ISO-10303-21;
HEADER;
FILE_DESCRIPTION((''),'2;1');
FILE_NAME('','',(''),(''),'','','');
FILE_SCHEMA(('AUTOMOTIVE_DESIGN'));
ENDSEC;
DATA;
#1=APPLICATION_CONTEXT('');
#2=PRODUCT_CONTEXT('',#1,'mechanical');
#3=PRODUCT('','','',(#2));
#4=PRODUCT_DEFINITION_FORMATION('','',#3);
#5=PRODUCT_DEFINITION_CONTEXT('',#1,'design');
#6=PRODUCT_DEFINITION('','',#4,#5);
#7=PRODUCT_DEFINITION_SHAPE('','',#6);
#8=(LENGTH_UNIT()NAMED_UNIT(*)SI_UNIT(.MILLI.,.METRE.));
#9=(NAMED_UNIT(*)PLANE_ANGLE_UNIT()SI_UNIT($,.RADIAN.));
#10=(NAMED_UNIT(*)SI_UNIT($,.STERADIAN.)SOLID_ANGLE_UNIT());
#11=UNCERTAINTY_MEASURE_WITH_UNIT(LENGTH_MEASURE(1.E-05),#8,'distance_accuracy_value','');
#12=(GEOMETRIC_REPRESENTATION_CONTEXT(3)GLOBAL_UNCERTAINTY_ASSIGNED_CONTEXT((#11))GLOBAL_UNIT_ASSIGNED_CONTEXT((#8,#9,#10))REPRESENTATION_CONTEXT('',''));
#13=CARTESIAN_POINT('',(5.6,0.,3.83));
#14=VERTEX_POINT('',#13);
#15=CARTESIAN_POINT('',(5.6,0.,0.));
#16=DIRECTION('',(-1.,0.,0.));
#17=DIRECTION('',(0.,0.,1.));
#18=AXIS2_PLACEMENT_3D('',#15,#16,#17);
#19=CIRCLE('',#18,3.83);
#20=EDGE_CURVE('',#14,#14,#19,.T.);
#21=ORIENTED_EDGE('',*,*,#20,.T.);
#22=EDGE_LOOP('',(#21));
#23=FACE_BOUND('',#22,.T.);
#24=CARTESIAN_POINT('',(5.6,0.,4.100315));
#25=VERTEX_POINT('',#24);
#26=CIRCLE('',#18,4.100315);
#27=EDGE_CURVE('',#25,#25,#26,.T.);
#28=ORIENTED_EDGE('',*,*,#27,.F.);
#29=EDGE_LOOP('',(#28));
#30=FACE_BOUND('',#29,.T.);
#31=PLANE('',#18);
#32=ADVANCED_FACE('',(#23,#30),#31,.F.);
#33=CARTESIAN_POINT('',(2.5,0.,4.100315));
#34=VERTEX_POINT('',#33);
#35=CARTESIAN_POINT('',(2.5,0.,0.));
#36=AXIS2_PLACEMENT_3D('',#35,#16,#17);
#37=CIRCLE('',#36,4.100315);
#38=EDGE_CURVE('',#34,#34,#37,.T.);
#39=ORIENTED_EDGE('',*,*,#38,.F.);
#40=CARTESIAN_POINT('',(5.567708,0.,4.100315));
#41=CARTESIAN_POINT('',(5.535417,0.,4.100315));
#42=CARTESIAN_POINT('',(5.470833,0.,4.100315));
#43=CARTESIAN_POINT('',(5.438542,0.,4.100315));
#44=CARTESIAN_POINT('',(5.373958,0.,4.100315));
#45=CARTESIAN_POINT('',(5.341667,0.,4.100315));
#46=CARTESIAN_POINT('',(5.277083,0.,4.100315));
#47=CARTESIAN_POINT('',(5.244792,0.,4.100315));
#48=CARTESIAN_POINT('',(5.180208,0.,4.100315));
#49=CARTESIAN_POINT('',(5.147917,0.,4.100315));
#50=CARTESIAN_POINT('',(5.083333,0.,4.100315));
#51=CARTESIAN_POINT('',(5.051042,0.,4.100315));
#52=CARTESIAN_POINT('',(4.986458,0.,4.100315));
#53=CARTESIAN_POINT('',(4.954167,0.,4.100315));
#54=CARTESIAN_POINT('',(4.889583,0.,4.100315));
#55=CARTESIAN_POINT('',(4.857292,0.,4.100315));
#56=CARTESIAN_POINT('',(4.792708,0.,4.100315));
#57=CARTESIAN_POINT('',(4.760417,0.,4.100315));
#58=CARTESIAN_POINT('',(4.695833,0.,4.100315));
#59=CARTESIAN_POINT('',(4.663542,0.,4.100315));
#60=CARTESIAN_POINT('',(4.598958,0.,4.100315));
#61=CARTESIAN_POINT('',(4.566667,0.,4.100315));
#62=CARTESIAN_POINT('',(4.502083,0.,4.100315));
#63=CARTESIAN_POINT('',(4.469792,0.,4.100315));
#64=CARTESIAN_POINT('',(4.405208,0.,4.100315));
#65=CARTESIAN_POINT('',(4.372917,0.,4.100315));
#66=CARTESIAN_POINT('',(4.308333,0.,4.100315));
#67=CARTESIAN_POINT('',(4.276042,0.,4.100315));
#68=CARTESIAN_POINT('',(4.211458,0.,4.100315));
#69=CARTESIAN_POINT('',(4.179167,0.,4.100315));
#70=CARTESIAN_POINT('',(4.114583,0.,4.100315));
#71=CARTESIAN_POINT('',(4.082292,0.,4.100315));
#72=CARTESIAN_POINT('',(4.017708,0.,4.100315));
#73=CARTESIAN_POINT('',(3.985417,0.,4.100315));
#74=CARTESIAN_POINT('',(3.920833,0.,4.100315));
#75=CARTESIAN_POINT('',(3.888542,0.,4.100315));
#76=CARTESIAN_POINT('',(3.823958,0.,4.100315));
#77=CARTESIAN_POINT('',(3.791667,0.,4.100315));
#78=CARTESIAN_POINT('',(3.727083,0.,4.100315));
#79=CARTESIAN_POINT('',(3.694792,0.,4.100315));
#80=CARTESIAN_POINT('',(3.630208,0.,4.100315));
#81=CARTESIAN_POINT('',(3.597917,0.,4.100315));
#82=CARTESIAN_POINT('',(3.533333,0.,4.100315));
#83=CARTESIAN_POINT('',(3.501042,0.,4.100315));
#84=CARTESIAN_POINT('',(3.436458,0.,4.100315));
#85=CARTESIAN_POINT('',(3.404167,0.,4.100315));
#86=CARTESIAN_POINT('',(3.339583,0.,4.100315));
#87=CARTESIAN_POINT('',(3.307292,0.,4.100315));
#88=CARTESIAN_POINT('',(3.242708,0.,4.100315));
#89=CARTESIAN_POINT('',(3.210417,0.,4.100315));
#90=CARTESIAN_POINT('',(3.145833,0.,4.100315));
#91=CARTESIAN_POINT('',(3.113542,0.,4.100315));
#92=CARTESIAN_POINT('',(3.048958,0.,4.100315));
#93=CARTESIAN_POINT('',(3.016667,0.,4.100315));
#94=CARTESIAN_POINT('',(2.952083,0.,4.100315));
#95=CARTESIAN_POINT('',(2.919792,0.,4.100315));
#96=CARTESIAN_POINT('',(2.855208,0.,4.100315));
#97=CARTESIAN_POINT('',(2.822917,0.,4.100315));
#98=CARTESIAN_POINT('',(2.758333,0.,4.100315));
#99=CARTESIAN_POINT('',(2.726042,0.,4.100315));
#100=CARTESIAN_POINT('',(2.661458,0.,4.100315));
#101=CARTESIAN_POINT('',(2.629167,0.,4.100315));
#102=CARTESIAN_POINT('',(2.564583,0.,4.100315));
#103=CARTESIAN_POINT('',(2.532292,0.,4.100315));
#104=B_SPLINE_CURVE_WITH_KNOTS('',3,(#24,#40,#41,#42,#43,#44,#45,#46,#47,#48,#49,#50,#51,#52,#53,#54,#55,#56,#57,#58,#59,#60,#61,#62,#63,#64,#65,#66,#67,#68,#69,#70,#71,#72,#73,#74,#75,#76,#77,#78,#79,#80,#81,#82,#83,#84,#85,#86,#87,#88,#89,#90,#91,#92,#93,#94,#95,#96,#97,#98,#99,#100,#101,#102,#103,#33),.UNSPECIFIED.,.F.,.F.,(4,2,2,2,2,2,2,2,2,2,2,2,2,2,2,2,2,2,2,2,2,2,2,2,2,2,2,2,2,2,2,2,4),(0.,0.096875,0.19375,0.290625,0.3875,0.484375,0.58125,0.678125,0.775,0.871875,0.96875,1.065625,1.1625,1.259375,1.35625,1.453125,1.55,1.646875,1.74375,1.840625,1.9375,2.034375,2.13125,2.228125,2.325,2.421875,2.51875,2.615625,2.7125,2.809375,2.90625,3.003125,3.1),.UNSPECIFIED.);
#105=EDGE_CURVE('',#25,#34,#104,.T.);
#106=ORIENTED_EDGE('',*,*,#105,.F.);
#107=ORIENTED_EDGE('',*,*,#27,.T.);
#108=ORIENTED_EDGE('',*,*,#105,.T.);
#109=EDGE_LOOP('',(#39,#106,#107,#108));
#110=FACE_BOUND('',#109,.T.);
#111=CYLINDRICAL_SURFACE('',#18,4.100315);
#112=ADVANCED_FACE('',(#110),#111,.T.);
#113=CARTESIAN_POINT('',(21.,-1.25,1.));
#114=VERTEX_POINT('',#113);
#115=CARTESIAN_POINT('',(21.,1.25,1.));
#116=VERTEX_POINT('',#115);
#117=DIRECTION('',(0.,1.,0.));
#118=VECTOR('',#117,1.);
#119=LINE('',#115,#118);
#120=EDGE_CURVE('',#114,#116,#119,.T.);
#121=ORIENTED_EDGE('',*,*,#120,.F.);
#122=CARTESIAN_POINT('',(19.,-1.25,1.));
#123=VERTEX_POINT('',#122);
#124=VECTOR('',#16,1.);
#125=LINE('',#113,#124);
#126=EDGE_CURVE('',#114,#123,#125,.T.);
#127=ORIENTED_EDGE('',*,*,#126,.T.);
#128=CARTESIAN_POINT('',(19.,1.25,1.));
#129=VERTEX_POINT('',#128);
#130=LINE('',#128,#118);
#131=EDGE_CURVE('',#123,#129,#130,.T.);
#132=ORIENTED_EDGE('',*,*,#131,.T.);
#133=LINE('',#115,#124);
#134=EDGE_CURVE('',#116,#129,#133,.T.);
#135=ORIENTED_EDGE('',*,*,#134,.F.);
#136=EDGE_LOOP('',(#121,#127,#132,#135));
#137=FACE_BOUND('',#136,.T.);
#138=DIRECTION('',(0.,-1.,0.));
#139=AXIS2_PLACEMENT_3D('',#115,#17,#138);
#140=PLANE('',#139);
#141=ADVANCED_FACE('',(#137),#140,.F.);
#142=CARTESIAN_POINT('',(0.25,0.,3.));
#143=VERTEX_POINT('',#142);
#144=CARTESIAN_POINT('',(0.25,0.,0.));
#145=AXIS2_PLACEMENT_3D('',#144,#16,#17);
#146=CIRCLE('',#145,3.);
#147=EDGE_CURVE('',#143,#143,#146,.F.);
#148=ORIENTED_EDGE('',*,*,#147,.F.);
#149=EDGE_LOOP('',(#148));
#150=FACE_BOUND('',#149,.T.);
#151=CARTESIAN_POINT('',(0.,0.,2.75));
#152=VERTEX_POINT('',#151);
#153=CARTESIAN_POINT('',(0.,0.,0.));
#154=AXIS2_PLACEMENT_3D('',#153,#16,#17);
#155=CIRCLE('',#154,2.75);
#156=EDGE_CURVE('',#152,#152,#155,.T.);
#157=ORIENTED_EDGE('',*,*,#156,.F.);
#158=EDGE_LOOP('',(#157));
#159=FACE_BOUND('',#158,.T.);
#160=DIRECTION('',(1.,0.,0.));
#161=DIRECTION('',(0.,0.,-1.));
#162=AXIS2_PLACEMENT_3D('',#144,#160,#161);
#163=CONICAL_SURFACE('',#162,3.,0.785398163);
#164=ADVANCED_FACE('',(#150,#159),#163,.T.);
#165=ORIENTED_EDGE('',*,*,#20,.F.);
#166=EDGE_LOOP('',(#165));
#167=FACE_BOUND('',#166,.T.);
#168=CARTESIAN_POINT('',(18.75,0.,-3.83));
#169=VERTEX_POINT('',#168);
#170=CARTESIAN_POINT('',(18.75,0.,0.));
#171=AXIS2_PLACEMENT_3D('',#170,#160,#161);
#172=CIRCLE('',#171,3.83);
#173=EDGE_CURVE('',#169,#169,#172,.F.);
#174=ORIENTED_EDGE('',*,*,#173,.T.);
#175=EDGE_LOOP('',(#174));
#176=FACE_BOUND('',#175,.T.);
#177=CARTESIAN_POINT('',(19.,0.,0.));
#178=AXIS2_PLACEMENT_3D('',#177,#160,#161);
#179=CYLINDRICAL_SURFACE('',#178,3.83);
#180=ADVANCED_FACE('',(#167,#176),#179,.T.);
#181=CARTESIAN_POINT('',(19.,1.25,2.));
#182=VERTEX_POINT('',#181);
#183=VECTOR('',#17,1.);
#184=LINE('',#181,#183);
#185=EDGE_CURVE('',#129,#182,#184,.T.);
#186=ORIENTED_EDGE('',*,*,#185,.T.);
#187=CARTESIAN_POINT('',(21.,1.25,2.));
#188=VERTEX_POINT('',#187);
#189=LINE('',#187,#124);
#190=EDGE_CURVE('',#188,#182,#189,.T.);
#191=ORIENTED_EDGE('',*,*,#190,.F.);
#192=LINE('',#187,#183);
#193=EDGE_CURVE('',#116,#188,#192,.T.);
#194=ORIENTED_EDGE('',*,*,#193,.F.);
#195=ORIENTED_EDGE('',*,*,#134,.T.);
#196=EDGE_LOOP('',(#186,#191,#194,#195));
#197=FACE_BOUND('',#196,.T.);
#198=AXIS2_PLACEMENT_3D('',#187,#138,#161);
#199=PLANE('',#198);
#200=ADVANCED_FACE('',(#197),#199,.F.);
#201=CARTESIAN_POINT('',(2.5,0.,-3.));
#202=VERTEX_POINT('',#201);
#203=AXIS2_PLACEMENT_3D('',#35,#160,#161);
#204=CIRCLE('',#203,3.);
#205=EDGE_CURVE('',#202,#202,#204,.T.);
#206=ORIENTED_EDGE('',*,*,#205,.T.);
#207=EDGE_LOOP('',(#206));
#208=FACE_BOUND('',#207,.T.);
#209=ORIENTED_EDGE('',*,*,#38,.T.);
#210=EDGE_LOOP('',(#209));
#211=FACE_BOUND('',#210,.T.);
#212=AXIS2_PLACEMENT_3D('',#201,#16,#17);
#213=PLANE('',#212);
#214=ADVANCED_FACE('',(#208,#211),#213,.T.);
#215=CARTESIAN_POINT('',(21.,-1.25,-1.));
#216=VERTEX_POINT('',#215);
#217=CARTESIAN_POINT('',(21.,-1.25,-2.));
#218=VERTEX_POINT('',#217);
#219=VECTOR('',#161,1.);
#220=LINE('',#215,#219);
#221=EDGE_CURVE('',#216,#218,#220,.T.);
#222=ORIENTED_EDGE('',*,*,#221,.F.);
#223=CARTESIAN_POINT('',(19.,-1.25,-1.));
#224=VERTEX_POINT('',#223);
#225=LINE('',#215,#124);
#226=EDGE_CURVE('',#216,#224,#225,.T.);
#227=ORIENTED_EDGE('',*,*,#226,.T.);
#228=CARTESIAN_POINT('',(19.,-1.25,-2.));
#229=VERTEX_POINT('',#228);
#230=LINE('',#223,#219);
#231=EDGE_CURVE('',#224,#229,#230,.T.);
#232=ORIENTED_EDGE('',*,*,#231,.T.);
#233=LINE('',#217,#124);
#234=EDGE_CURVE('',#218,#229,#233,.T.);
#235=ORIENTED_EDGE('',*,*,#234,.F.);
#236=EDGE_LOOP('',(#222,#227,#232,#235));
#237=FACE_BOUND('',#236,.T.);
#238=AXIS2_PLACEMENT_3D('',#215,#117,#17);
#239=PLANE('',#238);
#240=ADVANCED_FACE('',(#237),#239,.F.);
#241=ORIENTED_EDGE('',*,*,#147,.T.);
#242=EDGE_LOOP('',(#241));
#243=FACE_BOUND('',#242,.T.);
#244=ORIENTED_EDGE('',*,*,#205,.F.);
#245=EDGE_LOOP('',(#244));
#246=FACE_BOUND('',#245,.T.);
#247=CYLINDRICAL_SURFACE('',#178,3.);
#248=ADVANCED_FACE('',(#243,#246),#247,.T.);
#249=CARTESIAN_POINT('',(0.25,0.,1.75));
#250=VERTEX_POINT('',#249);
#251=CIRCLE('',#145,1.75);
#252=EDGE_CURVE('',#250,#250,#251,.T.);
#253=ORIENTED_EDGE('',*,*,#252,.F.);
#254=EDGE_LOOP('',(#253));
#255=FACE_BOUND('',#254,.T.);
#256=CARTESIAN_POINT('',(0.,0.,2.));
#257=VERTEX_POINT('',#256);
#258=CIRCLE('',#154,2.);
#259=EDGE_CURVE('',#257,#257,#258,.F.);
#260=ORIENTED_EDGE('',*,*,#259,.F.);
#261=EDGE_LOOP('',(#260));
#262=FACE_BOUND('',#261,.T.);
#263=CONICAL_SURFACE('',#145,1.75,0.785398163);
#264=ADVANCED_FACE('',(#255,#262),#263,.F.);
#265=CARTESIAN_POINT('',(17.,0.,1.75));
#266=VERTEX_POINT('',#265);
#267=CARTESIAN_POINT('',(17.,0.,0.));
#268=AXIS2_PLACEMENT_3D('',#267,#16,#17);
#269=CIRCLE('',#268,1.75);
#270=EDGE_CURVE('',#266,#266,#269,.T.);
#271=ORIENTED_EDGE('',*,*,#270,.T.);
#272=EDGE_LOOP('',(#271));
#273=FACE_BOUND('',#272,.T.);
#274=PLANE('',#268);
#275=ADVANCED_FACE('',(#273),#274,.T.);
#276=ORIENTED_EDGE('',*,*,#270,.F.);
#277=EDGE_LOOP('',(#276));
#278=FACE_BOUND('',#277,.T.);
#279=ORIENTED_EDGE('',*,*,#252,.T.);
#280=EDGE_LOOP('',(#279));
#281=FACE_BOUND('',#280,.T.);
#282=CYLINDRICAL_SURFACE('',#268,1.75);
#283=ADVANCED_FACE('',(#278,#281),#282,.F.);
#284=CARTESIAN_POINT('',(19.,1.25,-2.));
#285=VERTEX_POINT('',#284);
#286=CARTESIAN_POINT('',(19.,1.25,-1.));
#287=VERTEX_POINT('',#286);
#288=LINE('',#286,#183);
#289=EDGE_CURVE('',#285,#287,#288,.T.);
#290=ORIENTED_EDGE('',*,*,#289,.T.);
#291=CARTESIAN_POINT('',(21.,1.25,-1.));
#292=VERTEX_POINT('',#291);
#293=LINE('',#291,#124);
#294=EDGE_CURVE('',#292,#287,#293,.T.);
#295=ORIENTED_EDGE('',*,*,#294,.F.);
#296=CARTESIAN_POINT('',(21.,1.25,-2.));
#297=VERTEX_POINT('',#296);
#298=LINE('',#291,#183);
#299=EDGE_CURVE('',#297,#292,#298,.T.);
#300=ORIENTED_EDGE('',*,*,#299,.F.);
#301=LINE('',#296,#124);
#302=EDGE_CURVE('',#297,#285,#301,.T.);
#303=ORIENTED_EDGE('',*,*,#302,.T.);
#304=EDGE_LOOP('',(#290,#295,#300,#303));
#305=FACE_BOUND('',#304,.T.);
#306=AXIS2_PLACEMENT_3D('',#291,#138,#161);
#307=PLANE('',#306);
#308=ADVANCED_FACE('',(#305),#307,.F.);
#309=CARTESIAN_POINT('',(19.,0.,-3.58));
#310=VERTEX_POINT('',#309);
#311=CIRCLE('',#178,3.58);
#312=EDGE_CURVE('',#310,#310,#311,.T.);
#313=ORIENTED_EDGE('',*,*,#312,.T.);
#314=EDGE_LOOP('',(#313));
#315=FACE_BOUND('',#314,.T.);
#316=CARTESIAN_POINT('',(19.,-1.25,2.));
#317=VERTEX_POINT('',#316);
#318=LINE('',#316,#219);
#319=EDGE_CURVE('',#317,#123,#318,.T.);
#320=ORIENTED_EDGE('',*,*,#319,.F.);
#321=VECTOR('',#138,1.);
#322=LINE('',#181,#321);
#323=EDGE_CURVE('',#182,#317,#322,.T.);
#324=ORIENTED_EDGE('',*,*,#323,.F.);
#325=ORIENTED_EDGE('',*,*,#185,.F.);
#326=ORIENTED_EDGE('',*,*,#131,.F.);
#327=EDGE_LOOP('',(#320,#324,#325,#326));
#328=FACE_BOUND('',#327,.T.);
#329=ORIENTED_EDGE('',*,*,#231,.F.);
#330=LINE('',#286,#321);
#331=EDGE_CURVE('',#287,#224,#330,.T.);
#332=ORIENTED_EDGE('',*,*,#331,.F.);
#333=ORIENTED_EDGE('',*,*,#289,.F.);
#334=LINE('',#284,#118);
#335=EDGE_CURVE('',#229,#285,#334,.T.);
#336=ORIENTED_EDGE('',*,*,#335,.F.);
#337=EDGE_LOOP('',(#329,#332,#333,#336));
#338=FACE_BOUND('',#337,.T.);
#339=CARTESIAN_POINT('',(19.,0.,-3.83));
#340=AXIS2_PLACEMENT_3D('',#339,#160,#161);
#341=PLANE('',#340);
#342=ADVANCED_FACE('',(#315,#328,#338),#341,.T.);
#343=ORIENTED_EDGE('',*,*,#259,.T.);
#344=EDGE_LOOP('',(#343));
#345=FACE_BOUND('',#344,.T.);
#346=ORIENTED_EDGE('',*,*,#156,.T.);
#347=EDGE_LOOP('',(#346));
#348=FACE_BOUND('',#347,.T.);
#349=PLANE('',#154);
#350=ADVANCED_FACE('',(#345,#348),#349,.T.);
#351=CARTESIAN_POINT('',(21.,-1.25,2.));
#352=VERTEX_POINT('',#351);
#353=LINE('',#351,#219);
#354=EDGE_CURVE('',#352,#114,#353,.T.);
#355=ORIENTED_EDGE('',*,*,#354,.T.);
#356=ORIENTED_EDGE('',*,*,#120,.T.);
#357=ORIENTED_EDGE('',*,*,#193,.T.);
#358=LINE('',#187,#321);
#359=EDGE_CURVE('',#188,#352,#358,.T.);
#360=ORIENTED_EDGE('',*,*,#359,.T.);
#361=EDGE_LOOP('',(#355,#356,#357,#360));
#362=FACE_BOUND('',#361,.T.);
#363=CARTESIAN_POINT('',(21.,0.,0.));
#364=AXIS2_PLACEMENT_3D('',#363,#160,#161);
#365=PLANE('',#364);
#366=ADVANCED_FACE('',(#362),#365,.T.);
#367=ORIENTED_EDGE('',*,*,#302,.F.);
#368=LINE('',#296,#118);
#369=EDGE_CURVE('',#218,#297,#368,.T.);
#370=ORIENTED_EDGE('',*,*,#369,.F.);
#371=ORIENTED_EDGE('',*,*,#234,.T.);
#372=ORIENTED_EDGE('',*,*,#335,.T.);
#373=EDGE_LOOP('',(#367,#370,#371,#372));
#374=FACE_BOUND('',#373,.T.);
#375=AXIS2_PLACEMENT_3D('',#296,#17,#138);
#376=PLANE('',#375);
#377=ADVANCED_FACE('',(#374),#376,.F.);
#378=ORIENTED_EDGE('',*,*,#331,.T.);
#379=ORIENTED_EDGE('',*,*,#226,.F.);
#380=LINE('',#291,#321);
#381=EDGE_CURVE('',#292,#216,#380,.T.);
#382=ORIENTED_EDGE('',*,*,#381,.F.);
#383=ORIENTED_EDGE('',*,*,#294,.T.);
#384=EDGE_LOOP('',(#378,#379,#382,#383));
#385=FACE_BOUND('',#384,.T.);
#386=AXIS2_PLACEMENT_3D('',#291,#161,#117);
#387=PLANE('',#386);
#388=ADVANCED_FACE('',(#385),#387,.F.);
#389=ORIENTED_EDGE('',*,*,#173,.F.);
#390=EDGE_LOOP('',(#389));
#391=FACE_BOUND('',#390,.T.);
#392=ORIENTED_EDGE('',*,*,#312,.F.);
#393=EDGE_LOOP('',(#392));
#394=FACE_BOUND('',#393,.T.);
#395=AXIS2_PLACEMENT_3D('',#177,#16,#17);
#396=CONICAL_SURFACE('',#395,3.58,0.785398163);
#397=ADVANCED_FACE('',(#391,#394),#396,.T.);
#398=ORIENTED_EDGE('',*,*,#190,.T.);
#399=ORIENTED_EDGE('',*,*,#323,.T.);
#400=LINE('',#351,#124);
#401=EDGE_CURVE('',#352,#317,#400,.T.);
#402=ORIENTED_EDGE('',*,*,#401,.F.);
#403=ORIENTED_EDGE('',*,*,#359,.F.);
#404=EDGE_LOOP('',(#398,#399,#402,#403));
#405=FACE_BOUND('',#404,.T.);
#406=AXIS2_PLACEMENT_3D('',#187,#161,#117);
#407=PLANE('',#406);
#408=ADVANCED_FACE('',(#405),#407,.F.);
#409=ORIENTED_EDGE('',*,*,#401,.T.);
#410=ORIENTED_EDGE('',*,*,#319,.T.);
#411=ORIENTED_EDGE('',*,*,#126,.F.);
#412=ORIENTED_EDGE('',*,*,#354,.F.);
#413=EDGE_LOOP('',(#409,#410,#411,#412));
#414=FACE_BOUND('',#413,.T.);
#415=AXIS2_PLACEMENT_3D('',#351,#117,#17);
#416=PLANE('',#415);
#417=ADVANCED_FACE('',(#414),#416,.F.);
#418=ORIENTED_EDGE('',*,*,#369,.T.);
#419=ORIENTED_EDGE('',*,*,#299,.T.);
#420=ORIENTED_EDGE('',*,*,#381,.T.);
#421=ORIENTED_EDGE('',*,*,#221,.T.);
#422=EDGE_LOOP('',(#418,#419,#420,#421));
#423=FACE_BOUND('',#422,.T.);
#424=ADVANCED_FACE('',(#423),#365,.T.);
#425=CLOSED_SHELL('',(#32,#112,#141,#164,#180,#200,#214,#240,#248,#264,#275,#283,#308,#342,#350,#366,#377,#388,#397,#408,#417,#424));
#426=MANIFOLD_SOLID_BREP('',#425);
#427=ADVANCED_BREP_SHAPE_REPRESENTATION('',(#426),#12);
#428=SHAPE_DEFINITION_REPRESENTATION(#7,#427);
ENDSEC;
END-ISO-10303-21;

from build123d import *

# Parameters (mm, degrees)
SKETCH2_R           = 1.75
CUT_EXTRUDE1_DEPTH  = 17
SKETCH3_W           = 1
SKETCH3_H           = 2.5
BOSS_EXTRUDE1_DEPTH = 2
CHAMFER1_SIZE       = 0.25
BOSS_EXTRUDE2_START = -3.1
SKETCH5_R           = 4.10031535
SKETCH5_R_2         = 3.83
BOSS_EXTRUDE2_DEPTH = 3.1


with BuildPart() as part:
    # Sketch1 → Revolve1 (revolve)
    with BuildSketch(Plane(origin=(0, 0, 0), x_dir=(1, 0, 0), z_dir=(0, 1, 0))):
        Polygon((0, 0), (0, 3), (2.5, 3), (2.5, 3.83), (19, 3.83), (19, 0), align=None)
    revolve(axis=Axis((19, 0, 0), (-1, 0, 0)))

    # Sketch2 → Cut-Extrude1 (cut)
    with BuildSketch(Plane.ZY):
        Circle(SKETCH2_R)
    extrude(amount=-CUT_EXTRUDE1_DEPTH, mode=Mode.SUBTRACT)

    # Sketch3 → Boss-Extrude1 (add)
    with BuildSketch(Plane(origin=(19, 0, 0), x_dir=(0, 0, -1), z_dir=(1, 0, 0))):
        with Locations((-1.5, 0)):
            Rectangle(SKETCH3_W, SKETCH3_H)
        with Locations((1.5, 0)):
            Rectangle(SKETCH3_W, SKETCH3_H)
    extrude(amount=BOSS_EXTRUDE1_DEPTH)

    # Chamfer1
    chamfer1_edges = [part.edges().sort_by_distance(p)[0] for p in [
        (19, 0, 3.83),
        (0, 0, 3),
        (0, 0, -1.75),
    ]]
    chamfer(chamfer1_edges, length=CHAMFER1_SIZE)

    # Sketch5 → Boss-Extrude2 (add)
    with BuildSketch(Plane.ZY.offset(-2.5).offset(BOSS_EXTRUDE2_START)):
        Circle(SKETCH5_R)
        Circle(SKETCH5_R_2, mode=Mode.SUBTRACT)
    extrude(amount=BOSS_EXTRUDE2_DEPTH)


solid = part.part
